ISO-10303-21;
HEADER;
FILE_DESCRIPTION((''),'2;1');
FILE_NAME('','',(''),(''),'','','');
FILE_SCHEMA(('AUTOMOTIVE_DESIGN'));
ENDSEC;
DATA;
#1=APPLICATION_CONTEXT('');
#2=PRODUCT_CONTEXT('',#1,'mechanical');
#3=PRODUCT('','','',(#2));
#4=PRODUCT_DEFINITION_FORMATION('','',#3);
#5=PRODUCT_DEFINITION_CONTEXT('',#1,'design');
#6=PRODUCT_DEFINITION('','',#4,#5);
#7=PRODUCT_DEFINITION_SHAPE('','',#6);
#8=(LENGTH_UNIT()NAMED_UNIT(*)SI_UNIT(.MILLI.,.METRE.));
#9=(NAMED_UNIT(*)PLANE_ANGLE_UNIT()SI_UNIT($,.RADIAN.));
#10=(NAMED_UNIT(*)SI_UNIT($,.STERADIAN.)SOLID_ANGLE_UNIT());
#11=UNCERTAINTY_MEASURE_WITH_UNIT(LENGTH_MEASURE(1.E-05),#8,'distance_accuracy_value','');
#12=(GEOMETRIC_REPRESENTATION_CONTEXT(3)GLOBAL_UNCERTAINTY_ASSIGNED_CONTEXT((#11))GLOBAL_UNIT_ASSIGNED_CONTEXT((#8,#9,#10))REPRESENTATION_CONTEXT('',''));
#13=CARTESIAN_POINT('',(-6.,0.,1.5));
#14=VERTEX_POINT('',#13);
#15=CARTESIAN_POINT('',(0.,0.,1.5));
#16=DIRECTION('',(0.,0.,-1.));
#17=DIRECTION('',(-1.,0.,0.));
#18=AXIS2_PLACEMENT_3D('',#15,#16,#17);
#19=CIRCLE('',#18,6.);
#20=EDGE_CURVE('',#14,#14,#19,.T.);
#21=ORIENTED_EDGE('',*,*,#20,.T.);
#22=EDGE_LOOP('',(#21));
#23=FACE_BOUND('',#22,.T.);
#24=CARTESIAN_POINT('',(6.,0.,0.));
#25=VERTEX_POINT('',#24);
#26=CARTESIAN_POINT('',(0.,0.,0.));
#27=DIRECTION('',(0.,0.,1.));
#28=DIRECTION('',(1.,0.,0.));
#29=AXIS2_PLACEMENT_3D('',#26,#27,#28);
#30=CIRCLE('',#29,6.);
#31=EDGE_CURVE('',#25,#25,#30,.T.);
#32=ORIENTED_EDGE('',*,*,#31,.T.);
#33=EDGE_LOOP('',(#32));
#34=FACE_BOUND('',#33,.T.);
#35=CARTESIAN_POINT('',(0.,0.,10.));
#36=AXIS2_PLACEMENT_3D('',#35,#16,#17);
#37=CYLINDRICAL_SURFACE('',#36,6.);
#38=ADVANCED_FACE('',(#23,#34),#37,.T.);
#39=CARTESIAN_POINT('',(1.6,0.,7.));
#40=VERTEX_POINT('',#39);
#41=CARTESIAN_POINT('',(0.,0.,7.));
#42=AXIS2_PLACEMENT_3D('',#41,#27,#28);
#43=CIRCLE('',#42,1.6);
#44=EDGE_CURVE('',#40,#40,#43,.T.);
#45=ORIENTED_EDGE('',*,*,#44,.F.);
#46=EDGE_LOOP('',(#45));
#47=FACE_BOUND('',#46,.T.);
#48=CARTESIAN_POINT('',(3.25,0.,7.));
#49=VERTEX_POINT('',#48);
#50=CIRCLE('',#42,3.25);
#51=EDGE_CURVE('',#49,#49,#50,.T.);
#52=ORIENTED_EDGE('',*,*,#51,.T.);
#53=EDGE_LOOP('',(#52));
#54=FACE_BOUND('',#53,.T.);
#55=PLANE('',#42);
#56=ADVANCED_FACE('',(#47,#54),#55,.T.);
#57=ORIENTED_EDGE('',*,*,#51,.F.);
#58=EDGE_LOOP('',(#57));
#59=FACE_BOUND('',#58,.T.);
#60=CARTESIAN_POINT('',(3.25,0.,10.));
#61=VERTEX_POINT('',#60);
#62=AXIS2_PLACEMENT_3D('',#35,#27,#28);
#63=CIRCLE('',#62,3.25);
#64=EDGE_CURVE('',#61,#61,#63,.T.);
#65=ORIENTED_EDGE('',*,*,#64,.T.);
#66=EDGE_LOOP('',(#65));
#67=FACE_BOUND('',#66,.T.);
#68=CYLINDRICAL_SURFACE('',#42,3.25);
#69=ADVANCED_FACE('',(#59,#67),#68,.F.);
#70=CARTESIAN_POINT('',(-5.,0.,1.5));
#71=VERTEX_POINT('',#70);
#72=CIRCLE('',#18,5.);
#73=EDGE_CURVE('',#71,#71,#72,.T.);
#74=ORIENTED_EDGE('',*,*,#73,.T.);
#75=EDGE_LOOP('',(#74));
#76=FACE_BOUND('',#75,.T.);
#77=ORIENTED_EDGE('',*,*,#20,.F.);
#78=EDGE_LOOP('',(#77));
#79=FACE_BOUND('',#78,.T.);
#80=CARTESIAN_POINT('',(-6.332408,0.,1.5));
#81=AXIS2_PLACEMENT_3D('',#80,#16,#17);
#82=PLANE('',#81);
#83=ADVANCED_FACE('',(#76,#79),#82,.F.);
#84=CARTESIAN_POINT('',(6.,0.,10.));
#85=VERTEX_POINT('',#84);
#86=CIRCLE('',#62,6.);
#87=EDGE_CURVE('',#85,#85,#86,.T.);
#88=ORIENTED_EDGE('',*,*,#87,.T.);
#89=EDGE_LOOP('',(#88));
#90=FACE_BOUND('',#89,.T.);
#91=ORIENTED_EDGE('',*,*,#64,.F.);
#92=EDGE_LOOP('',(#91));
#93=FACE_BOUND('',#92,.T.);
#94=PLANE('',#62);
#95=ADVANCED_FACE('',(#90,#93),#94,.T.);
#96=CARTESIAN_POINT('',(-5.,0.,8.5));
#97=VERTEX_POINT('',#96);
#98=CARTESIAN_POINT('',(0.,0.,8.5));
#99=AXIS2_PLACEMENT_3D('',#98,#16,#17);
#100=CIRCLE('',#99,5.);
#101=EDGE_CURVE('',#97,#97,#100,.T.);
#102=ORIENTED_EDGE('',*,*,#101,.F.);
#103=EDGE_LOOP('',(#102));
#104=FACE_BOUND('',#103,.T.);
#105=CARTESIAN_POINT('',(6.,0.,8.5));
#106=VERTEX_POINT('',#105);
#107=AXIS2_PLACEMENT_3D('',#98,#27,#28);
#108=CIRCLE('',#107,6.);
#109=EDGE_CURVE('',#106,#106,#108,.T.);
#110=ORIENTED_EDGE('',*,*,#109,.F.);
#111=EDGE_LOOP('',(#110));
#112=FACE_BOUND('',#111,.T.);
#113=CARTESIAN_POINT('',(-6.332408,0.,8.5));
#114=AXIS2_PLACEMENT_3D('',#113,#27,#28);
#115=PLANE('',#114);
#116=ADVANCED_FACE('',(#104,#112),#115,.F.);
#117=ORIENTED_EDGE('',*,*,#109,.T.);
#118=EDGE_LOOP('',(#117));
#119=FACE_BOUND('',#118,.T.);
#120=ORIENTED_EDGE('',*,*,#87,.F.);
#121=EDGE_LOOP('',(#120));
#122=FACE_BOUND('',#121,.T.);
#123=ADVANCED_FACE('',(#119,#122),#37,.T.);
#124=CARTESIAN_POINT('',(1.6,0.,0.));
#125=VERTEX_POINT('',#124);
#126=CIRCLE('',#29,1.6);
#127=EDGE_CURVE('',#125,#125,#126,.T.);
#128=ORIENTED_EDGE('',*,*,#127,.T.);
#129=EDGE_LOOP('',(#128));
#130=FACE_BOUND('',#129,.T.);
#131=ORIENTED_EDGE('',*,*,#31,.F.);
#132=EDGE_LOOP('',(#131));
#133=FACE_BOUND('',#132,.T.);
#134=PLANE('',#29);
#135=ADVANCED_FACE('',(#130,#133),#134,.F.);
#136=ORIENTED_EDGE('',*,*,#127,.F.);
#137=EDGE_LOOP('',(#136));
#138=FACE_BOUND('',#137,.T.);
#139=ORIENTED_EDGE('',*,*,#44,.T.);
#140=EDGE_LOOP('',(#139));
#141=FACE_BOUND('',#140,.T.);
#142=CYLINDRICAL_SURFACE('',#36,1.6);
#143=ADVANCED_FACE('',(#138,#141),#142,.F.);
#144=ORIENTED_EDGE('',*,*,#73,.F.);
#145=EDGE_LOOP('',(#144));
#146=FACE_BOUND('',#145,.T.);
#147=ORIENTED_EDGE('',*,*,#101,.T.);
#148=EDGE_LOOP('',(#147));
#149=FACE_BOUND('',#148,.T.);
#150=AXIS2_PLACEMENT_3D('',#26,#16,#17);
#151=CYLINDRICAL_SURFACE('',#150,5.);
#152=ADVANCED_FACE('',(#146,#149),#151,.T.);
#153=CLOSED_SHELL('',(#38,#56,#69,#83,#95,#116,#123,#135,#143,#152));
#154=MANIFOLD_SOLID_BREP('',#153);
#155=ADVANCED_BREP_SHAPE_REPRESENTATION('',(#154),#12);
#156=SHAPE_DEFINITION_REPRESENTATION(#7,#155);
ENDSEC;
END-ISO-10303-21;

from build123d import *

# Parameters (mm, degrees)
SKETCH1_R           = 6
SKETCH1_R_2         = 1.6
BOSS_EXTRUDE1_DEPTH = 10
SKETCH2_W           = 1.332407761
SKETCH2_H           = 7
SKETCH4_R           = 3.25
CUT_EXTRUDE1_DEPTH  = 3


with BuildPart() as part:
    # Sketch1 → Boss-Extrude1 (new body)
    with BuildSketch(Plane.XY):
        Circle(SKETCH1_R)
        Circle(SKETCH1_R_2, mode=Mode.SUBTRACT)
    extrude(amount=BOSS_EXTRUDE1_DEPTH)

    # Sketch2 → Cut-Revolve1 (revolve, cut)
    with BuildSketch(Plane(origin=(0, 0, 0), x_dir=(1, 0, 0), z_dir=(0, 1, 0))):
        with Locations((-5.666203881, -5)):
            Rectangle(SKETCH2_W, SKETCH2_H)
    revolve(axis=Axis((0, 0, 0), (0, 0, 1)), mode=Mode.SUBTRACT)

    # Sketch4 → Cut-Extrude1 (cut)
    with BuildSketch(Plane.XY.offset(10)):
        Circle(SKETCH4_R)
    extrude(amount=-CUT_EXTRUDE1_DEPTH, mode=Mode.SUBTRACT)


solid = part.part
